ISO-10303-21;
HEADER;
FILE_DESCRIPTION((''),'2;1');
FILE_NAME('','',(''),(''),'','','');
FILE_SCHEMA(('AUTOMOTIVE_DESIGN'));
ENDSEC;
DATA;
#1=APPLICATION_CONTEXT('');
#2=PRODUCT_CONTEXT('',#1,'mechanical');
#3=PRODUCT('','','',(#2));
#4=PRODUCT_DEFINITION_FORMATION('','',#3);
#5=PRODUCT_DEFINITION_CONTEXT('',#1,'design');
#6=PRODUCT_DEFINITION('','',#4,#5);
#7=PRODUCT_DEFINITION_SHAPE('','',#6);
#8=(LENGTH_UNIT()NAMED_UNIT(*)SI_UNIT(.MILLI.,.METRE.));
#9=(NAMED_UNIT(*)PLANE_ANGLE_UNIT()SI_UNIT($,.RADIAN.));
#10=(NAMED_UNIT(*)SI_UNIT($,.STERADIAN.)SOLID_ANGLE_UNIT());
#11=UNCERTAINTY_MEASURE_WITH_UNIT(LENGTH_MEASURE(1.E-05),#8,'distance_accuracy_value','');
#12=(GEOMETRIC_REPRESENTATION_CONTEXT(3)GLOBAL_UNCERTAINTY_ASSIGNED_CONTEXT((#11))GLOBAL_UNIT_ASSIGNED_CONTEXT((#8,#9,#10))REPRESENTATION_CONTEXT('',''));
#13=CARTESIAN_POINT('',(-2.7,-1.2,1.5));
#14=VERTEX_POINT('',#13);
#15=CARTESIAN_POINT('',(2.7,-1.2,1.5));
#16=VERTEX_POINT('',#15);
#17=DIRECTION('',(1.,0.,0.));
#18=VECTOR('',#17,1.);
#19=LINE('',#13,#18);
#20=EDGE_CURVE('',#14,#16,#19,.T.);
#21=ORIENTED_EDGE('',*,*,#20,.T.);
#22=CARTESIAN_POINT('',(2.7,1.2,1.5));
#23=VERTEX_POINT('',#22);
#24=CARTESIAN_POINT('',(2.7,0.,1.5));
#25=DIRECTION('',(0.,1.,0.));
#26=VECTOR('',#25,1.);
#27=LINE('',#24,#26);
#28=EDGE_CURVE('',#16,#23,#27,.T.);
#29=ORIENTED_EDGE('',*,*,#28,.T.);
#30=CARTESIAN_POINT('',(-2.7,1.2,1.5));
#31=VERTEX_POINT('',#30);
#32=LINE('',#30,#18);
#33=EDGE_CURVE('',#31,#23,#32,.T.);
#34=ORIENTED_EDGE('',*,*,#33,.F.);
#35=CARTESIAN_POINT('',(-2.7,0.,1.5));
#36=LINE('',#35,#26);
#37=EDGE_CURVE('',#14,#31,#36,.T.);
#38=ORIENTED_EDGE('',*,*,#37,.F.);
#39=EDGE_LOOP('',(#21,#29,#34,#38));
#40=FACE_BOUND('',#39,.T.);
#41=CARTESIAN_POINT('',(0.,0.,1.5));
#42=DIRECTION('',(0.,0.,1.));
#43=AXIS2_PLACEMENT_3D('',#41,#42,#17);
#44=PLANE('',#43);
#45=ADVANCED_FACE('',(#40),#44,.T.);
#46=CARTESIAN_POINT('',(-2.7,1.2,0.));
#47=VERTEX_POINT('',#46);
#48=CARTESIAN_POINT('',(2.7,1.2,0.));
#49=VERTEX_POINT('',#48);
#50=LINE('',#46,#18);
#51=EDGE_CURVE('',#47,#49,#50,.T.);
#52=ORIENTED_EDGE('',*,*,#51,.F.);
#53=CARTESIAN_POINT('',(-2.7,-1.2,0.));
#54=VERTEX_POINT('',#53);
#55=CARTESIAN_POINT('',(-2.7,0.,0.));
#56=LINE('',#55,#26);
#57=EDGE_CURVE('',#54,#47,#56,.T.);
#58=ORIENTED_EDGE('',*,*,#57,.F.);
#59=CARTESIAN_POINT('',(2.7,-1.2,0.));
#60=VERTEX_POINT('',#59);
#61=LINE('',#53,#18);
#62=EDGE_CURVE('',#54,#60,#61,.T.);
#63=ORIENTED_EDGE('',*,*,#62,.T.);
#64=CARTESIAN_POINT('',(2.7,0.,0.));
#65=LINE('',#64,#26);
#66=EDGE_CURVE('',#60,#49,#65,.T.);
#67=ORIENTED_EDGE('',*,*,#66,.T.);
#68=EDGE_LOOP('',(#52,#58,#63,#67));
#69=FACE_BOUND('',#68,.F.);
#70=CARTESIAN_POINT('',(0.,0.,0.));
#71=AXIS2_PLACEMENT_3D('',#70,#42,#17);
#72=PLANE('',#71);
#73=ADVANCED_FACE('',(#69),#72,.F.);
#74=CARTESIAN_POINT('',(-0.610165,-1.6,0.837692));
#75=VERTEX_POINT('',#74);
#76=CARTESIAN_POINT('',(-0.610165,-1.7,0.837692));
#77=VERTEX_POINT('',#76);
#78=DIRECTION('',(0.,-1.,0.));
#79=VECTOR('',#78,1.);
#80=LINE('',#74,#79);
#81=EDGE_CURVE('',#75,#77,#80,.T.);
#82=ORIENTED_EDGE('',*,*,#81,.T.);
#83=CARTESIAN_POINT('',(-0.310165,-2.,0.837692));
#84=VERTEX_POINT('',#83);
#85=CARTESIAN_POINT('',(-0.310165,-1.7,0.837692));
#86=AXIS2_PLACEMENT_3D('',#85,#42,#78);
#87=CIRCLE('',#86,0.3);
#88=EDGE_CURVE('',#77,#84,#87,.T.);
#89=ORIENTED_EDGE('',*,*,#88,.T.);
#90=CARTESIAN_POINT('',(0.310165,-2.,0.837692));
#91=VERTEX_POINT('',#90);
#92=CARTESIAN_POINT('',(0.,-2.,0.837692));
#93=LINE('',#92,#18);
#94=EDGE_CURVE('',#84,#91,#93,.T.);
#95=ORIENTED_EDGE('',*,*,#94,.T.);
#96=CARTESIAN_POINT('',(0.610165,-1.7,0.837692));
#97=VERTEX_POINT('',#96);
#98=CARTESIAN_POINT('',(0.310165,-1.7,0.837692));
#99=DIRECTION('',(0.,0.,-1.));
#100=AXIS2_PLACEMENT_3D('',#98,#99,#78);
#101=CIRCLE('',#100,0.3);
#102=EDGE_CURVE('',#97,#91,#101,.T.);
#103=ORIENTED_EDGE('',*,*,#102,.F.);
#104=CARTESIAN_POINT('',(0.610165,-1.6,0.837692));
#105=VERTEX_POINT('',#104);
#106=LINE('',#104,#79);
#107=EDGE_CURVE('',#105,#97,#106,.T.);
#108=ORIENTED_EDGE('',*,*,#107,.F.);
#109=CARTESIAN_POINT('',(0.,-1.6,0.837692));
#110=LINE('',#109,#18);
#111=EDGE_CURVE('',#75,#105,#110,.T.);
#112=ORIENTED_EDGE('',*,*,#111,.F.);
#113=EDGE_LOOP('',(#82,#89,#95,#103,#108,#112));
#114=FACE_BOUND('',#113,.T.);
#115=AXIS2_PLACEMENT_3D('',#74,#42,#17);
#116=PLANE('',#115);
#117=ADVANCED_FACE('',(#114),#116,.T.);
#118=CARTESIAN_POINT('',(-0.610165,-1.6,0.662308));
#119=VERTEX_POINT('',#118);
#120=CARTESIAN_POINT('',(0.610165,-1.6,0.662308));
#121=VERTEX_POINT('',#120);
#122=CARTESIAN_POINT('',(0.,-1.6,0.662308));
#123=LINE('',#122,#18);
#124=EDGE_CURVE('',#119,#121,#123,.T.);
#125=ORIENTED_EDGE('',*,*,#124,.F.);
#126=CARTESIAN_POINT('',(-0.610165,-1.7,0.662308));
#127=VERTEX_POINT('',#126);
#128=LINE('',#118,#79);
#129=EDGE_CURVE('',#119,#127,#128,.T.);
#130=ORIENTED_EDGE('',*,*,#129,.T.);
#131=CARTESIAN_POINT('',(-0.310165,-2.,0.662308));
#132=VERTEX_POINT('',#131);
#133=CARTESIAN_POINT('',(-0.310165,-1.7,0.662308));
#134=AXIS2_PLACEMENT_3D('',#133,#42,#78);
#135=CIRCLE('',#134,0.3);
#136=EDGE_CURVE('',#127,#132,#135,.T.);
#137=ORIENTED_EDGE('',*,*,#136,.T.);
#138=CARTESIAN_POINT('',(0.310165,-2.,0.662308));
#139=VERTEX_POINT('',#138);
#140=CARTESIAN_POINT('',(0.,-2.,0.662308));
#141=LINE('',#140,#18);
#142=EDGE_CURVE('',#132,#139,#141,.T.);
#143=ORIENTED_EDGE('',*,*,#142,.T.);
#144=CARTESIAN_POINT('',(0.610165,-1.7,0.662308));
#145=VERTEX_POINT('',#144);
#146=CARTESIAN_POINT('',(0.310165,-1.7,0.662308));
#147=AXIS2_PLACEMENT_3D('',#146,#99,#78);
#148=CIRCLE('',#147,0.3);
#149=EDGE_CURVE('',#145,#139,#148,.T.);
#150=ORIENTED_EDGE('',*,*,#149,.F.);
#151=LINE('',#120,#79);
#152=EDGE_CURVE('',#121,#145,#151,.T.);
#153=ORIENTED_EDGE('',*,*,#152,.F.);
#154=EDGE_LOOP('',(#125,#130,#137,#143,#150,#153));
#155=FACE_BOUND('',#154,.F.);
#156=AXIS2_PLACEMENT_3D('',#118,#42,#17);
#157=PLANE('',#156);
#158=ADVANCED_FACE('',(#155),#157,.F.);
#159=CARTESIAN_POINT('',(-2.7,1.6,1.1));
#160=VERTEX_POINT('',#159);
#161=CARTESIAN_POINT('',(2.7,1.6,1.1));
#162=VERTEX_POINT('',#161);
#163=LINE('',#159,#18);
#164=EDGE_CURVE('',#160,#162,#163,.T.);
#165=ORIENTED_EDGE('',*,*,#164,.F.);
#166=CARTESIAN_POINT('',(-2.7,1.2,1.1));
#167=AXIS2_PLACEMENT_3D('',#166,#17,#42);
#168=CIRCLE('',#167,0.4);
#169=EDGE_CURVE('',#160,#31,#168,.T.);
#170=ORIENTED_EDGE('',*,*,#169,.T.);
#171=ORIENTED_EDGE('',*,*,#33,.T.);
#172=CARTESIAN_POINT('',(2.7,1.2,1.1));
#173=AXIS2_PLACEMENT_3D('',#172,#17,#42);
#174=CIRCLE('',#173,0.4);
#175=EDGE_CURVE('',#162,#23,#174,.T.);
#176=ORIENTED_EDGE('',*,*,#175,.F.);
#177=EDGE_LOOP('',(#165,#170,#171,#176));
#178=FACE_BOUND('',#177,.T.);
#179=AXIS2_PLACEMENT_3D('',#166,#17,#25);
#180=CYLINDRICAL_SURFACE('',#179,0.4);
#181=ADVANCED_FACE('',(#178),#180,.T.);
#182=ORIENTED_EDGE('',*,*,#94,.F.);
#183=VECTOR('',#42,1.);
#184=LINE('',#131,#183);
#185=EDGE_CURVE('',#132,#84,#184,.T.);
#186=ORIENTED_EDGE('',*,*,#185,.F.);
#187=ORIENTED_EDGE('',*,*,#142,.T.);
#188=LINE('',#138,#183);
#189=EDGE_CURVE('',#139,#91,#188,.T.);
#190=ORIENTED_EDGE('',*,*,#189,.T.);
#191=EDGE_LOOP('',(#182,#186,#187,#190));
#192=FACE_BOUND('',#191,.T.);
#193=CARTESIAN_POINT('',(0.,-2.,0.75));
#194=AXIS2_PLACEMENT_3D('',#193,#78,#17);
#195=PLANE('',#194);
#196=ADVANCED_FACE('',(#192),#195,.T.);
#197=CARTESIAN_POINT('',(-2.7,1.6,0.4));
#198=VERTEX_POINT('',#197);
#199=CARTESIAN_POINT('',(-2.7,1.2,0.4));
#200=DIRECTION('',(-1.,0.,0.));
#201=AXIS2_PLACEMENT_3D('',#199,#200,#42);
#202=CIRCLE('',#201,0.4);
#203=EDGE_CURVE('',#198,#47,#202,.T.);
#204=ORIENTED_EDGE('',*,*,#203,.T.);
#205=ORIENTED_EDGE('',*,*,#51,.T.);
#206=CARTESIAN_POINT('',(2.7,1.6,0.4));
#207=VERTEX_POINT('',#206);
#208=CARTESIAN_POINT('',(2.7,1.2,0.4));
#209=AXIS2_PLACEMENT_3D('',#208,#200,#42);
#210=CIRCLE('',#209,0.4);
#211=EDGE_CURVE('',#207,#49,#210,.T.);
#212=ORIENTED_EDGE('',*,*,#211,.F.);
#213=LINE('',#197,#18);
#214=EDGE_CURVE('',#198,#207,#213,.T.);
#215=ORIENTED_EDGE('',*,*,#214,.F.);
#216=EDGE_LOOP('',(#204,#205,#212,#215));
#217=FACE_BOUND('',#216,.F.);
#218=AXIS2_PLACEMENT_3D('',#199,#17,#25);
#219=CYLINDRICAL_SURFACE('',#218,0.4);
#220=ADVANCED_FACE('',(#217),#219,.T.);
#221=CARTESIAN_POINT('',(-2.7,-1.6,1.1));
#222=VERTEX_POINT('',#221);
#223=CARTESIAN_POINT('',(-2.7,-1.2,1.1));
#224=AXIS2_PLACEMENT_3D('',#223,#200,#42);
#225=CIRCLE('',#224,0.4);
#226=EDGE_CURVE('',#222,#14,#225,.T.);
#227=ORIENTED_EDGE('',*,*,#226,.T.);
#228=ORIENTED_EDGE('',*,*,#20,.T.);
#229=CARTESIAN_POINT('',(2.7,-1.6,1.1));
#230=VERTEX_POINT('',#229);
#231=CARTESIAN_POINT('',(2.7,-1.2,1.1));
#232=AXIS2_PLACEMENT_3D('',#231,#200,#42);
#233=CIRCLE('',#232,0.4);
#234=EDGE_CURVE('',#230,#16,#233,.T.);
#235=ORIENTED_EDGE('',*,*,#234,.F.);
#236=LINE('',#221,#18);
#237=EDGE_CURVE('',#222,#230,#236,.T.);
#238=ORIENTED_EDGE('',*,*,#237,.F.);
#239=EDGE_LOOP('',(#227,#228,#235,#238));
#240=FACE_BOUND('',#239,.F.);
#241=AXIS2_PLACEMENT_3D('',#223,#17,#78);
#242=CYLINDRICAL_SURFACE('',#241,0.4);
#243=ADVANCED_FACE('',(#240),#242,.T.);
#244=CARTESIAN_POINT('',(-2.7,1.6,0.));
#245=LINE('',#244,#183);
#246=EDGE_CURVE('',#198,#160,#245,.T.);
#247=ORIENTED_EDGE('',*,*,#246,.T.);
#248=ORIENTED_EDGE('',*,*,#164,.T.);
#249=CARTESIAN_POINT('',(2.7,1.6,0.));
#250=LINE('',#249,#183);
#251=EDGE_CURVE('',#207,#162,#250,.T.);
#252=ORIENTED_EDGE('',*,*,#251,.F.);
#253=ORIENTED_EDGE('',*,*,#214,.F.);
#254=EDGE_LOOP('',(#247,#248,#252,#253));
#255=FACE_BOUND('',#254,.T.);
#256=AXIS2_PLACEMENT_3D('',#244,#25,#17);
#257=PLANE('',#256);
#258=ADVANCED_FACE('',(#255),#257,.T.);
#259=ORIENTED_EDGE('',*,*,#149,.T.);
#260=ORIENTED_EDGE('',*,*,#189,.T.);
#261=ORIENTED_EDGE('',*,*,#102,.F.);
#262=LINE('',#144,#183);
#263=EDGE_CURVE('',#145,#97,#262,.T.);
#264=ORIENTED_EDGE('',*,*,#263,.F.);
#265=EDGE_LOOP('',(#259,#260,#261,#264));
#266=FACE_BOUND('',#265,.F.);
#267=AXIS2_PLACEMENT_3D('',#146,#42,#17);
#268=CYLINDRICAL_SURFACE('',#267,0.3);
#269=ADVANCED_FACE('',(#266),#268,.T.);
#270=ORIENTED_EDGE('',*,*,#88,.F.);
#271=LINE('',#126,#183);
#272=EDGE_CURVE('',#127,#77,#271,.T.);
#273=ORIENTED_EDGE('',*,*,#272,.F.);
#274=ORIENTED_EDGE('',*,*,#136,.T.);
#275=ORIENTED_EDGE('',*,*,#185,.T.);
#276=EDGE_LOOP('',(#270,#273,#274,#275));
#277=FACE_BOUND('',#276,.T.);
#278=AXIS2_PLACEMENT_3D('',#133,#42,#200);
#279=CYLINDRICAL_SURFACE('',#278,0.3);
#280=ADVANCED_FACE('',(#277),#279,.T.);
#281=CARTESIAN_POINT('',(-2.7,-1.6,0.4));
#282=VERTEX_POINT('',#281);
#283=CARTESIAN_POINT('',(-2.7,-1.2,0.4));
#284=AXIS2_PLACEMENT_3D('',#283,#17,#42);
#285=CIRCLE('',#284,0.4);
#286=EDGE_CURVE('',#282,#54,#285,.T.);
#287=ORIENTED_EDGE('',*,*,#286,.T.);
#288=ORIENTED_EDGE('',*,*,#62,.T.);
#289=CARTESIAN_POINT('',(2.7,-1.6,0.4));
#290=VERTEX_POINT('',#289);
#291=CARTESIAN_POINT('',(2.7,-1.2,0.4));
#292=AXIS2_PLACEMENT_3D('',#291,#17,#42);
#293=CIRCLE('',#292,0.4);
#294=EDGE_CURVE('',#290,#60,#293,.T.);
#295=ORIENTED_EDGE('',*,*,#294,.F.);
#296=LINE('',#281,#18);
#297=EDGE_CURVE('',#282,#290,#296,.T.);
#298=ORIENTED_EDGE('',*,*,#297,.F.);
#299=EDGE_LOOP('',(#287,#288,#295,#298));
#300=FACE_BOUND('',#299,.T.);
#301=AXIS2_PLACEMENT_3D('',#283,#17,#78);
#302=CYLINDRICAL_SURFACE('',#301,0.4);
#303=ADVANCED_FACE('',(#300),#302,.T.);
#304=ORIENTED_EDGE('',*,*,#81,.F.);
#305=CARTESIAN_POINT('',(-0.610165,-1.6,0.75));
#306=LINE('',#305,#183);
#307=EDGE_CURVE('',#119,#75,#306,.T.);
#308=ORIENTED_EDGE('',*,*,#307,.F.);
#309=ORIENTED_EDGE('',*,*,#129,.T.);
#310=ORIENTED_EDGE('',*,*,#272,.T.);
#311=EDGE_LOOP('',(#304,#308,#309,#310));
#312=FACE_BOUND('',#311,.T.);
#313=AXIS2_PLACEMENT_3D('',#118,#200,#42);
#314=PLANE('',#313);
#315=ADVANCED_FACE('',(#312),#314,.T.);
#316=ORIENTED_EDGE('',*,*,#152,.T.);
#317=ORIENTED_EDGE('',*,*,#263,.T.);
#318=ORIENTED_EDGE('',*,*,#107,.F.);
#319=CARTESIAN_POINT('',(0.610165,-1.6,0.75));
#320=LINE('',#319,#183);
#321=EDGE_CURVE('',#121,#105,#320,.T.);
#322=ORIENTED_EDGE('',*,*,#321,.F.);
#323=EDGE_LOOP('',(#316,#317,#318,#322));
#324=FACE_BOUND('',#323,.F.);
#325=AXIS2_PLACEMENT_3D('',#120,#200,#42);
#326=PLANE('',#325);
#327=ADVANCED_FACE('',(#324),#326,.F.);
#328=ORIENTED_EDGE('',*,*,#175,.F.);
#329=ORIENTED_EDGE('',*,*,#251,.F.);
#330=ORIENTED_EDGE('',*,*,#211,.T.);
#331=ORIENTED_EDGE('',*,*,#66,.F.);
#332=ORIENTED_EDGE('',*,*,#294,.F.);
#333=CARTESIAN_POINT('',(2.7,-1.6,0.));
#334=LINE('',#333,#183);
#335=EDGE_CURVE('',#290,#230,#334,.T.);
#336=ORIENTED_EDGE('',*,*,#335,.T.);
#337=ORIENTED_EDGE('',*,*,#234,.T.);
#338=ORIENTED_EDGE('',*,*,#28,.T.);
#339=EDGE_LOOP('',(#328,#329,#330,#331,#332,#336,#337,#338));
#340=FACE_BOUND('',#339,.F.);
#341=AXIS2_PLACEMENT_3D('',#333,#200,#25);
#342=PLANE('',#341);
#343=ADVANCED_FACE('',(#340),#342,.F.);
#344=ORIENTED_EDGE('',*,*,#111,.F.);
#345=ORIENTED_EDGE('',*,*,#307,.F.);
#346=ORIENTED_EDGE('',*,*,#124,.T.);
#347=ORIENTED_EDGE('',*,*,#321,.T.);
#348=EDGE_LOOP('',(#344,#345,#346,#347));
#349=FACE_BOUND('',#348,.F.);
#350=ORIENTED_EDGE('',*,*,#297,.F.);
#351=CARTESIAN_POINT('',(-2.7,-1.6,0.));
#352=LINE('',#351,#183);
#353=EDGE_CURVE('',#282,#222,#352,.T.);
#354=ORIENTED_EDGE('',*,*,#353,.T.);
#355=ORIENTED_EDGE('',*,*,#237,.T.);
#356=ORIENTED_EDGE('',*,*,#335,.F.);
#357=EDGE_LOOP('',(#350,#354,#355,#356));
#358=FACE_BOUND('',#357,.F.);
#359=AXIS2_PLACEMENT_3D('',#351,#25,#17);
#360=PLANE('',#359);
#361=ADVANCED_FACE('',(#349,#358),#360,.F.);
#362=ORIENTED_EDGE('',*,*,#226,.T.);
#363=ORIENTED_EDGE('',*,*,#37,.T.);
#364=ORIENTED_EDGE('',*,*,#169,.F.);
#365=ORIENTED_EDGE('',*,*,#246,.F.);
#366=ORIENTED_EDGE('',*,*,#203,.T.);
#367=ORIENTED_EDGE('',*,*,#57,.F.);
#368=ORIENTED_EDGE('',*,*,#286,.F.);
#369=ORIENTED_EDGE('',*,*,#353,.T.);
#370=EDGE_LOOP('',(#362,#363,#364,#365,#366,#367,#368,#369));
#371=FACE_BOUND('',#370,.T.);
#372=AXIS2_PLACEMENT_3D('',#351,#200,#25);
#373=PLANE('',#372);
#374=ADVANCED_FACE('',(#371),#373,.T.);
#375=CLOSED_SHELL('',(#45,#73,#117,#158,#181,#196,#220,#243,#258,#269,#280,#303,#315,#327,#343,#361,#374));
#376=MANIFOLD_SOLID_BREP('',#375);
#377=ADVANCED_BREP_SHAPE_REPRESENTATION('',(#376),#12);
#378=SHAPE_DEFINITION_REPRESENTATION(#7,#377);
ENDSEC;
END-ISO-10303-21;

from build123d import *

# Parameters (mm, degrees)
F0_W     = 5.4
F0_H     = 3.2
F1_DEPTH = 1.5
F2_R     = 0.4
F3_W     = 1.22033
F3_H     = 0.175384
F4_DEPTH = 0.4
F5_R     = 0.3


with BuildPart() as f1:
    # F0 (on Top) → F1 (new body)
    with BuildSketch(Plane.XY):
        Rectangle(F0_W, F0_H)
    extrude(amount=F1_DEPTH)

    # F2
    f2_edges = [f1.edges().sort_by_distance(p)[0] for p in [
        (0, -1.6, 1.5),
        (0, -1.6, 0),
        (0, 1.6, 1.5),
        (0, 1.6, 0),
    ]]
    fillet(f2_edges, radius=F2_R)

    # F3 (on face) → F4 (join)
    with BuildSketch(Plane.XZ.offset(1.6)):
        with Locations((0, 0.75)):
            Rectangle(F3_W, F3_H)
    extrude(amount=F4_DEPTH)

    # F5
    f5_edges = [f1.edges().sort_by_distance(p)[0] for p in [
        (-0.610165, -2, 0.75),
        (0.610165, -2, 0.75),
    ]]
    fillet(f5_edges, radius=F5_R)


solid = f1.part
